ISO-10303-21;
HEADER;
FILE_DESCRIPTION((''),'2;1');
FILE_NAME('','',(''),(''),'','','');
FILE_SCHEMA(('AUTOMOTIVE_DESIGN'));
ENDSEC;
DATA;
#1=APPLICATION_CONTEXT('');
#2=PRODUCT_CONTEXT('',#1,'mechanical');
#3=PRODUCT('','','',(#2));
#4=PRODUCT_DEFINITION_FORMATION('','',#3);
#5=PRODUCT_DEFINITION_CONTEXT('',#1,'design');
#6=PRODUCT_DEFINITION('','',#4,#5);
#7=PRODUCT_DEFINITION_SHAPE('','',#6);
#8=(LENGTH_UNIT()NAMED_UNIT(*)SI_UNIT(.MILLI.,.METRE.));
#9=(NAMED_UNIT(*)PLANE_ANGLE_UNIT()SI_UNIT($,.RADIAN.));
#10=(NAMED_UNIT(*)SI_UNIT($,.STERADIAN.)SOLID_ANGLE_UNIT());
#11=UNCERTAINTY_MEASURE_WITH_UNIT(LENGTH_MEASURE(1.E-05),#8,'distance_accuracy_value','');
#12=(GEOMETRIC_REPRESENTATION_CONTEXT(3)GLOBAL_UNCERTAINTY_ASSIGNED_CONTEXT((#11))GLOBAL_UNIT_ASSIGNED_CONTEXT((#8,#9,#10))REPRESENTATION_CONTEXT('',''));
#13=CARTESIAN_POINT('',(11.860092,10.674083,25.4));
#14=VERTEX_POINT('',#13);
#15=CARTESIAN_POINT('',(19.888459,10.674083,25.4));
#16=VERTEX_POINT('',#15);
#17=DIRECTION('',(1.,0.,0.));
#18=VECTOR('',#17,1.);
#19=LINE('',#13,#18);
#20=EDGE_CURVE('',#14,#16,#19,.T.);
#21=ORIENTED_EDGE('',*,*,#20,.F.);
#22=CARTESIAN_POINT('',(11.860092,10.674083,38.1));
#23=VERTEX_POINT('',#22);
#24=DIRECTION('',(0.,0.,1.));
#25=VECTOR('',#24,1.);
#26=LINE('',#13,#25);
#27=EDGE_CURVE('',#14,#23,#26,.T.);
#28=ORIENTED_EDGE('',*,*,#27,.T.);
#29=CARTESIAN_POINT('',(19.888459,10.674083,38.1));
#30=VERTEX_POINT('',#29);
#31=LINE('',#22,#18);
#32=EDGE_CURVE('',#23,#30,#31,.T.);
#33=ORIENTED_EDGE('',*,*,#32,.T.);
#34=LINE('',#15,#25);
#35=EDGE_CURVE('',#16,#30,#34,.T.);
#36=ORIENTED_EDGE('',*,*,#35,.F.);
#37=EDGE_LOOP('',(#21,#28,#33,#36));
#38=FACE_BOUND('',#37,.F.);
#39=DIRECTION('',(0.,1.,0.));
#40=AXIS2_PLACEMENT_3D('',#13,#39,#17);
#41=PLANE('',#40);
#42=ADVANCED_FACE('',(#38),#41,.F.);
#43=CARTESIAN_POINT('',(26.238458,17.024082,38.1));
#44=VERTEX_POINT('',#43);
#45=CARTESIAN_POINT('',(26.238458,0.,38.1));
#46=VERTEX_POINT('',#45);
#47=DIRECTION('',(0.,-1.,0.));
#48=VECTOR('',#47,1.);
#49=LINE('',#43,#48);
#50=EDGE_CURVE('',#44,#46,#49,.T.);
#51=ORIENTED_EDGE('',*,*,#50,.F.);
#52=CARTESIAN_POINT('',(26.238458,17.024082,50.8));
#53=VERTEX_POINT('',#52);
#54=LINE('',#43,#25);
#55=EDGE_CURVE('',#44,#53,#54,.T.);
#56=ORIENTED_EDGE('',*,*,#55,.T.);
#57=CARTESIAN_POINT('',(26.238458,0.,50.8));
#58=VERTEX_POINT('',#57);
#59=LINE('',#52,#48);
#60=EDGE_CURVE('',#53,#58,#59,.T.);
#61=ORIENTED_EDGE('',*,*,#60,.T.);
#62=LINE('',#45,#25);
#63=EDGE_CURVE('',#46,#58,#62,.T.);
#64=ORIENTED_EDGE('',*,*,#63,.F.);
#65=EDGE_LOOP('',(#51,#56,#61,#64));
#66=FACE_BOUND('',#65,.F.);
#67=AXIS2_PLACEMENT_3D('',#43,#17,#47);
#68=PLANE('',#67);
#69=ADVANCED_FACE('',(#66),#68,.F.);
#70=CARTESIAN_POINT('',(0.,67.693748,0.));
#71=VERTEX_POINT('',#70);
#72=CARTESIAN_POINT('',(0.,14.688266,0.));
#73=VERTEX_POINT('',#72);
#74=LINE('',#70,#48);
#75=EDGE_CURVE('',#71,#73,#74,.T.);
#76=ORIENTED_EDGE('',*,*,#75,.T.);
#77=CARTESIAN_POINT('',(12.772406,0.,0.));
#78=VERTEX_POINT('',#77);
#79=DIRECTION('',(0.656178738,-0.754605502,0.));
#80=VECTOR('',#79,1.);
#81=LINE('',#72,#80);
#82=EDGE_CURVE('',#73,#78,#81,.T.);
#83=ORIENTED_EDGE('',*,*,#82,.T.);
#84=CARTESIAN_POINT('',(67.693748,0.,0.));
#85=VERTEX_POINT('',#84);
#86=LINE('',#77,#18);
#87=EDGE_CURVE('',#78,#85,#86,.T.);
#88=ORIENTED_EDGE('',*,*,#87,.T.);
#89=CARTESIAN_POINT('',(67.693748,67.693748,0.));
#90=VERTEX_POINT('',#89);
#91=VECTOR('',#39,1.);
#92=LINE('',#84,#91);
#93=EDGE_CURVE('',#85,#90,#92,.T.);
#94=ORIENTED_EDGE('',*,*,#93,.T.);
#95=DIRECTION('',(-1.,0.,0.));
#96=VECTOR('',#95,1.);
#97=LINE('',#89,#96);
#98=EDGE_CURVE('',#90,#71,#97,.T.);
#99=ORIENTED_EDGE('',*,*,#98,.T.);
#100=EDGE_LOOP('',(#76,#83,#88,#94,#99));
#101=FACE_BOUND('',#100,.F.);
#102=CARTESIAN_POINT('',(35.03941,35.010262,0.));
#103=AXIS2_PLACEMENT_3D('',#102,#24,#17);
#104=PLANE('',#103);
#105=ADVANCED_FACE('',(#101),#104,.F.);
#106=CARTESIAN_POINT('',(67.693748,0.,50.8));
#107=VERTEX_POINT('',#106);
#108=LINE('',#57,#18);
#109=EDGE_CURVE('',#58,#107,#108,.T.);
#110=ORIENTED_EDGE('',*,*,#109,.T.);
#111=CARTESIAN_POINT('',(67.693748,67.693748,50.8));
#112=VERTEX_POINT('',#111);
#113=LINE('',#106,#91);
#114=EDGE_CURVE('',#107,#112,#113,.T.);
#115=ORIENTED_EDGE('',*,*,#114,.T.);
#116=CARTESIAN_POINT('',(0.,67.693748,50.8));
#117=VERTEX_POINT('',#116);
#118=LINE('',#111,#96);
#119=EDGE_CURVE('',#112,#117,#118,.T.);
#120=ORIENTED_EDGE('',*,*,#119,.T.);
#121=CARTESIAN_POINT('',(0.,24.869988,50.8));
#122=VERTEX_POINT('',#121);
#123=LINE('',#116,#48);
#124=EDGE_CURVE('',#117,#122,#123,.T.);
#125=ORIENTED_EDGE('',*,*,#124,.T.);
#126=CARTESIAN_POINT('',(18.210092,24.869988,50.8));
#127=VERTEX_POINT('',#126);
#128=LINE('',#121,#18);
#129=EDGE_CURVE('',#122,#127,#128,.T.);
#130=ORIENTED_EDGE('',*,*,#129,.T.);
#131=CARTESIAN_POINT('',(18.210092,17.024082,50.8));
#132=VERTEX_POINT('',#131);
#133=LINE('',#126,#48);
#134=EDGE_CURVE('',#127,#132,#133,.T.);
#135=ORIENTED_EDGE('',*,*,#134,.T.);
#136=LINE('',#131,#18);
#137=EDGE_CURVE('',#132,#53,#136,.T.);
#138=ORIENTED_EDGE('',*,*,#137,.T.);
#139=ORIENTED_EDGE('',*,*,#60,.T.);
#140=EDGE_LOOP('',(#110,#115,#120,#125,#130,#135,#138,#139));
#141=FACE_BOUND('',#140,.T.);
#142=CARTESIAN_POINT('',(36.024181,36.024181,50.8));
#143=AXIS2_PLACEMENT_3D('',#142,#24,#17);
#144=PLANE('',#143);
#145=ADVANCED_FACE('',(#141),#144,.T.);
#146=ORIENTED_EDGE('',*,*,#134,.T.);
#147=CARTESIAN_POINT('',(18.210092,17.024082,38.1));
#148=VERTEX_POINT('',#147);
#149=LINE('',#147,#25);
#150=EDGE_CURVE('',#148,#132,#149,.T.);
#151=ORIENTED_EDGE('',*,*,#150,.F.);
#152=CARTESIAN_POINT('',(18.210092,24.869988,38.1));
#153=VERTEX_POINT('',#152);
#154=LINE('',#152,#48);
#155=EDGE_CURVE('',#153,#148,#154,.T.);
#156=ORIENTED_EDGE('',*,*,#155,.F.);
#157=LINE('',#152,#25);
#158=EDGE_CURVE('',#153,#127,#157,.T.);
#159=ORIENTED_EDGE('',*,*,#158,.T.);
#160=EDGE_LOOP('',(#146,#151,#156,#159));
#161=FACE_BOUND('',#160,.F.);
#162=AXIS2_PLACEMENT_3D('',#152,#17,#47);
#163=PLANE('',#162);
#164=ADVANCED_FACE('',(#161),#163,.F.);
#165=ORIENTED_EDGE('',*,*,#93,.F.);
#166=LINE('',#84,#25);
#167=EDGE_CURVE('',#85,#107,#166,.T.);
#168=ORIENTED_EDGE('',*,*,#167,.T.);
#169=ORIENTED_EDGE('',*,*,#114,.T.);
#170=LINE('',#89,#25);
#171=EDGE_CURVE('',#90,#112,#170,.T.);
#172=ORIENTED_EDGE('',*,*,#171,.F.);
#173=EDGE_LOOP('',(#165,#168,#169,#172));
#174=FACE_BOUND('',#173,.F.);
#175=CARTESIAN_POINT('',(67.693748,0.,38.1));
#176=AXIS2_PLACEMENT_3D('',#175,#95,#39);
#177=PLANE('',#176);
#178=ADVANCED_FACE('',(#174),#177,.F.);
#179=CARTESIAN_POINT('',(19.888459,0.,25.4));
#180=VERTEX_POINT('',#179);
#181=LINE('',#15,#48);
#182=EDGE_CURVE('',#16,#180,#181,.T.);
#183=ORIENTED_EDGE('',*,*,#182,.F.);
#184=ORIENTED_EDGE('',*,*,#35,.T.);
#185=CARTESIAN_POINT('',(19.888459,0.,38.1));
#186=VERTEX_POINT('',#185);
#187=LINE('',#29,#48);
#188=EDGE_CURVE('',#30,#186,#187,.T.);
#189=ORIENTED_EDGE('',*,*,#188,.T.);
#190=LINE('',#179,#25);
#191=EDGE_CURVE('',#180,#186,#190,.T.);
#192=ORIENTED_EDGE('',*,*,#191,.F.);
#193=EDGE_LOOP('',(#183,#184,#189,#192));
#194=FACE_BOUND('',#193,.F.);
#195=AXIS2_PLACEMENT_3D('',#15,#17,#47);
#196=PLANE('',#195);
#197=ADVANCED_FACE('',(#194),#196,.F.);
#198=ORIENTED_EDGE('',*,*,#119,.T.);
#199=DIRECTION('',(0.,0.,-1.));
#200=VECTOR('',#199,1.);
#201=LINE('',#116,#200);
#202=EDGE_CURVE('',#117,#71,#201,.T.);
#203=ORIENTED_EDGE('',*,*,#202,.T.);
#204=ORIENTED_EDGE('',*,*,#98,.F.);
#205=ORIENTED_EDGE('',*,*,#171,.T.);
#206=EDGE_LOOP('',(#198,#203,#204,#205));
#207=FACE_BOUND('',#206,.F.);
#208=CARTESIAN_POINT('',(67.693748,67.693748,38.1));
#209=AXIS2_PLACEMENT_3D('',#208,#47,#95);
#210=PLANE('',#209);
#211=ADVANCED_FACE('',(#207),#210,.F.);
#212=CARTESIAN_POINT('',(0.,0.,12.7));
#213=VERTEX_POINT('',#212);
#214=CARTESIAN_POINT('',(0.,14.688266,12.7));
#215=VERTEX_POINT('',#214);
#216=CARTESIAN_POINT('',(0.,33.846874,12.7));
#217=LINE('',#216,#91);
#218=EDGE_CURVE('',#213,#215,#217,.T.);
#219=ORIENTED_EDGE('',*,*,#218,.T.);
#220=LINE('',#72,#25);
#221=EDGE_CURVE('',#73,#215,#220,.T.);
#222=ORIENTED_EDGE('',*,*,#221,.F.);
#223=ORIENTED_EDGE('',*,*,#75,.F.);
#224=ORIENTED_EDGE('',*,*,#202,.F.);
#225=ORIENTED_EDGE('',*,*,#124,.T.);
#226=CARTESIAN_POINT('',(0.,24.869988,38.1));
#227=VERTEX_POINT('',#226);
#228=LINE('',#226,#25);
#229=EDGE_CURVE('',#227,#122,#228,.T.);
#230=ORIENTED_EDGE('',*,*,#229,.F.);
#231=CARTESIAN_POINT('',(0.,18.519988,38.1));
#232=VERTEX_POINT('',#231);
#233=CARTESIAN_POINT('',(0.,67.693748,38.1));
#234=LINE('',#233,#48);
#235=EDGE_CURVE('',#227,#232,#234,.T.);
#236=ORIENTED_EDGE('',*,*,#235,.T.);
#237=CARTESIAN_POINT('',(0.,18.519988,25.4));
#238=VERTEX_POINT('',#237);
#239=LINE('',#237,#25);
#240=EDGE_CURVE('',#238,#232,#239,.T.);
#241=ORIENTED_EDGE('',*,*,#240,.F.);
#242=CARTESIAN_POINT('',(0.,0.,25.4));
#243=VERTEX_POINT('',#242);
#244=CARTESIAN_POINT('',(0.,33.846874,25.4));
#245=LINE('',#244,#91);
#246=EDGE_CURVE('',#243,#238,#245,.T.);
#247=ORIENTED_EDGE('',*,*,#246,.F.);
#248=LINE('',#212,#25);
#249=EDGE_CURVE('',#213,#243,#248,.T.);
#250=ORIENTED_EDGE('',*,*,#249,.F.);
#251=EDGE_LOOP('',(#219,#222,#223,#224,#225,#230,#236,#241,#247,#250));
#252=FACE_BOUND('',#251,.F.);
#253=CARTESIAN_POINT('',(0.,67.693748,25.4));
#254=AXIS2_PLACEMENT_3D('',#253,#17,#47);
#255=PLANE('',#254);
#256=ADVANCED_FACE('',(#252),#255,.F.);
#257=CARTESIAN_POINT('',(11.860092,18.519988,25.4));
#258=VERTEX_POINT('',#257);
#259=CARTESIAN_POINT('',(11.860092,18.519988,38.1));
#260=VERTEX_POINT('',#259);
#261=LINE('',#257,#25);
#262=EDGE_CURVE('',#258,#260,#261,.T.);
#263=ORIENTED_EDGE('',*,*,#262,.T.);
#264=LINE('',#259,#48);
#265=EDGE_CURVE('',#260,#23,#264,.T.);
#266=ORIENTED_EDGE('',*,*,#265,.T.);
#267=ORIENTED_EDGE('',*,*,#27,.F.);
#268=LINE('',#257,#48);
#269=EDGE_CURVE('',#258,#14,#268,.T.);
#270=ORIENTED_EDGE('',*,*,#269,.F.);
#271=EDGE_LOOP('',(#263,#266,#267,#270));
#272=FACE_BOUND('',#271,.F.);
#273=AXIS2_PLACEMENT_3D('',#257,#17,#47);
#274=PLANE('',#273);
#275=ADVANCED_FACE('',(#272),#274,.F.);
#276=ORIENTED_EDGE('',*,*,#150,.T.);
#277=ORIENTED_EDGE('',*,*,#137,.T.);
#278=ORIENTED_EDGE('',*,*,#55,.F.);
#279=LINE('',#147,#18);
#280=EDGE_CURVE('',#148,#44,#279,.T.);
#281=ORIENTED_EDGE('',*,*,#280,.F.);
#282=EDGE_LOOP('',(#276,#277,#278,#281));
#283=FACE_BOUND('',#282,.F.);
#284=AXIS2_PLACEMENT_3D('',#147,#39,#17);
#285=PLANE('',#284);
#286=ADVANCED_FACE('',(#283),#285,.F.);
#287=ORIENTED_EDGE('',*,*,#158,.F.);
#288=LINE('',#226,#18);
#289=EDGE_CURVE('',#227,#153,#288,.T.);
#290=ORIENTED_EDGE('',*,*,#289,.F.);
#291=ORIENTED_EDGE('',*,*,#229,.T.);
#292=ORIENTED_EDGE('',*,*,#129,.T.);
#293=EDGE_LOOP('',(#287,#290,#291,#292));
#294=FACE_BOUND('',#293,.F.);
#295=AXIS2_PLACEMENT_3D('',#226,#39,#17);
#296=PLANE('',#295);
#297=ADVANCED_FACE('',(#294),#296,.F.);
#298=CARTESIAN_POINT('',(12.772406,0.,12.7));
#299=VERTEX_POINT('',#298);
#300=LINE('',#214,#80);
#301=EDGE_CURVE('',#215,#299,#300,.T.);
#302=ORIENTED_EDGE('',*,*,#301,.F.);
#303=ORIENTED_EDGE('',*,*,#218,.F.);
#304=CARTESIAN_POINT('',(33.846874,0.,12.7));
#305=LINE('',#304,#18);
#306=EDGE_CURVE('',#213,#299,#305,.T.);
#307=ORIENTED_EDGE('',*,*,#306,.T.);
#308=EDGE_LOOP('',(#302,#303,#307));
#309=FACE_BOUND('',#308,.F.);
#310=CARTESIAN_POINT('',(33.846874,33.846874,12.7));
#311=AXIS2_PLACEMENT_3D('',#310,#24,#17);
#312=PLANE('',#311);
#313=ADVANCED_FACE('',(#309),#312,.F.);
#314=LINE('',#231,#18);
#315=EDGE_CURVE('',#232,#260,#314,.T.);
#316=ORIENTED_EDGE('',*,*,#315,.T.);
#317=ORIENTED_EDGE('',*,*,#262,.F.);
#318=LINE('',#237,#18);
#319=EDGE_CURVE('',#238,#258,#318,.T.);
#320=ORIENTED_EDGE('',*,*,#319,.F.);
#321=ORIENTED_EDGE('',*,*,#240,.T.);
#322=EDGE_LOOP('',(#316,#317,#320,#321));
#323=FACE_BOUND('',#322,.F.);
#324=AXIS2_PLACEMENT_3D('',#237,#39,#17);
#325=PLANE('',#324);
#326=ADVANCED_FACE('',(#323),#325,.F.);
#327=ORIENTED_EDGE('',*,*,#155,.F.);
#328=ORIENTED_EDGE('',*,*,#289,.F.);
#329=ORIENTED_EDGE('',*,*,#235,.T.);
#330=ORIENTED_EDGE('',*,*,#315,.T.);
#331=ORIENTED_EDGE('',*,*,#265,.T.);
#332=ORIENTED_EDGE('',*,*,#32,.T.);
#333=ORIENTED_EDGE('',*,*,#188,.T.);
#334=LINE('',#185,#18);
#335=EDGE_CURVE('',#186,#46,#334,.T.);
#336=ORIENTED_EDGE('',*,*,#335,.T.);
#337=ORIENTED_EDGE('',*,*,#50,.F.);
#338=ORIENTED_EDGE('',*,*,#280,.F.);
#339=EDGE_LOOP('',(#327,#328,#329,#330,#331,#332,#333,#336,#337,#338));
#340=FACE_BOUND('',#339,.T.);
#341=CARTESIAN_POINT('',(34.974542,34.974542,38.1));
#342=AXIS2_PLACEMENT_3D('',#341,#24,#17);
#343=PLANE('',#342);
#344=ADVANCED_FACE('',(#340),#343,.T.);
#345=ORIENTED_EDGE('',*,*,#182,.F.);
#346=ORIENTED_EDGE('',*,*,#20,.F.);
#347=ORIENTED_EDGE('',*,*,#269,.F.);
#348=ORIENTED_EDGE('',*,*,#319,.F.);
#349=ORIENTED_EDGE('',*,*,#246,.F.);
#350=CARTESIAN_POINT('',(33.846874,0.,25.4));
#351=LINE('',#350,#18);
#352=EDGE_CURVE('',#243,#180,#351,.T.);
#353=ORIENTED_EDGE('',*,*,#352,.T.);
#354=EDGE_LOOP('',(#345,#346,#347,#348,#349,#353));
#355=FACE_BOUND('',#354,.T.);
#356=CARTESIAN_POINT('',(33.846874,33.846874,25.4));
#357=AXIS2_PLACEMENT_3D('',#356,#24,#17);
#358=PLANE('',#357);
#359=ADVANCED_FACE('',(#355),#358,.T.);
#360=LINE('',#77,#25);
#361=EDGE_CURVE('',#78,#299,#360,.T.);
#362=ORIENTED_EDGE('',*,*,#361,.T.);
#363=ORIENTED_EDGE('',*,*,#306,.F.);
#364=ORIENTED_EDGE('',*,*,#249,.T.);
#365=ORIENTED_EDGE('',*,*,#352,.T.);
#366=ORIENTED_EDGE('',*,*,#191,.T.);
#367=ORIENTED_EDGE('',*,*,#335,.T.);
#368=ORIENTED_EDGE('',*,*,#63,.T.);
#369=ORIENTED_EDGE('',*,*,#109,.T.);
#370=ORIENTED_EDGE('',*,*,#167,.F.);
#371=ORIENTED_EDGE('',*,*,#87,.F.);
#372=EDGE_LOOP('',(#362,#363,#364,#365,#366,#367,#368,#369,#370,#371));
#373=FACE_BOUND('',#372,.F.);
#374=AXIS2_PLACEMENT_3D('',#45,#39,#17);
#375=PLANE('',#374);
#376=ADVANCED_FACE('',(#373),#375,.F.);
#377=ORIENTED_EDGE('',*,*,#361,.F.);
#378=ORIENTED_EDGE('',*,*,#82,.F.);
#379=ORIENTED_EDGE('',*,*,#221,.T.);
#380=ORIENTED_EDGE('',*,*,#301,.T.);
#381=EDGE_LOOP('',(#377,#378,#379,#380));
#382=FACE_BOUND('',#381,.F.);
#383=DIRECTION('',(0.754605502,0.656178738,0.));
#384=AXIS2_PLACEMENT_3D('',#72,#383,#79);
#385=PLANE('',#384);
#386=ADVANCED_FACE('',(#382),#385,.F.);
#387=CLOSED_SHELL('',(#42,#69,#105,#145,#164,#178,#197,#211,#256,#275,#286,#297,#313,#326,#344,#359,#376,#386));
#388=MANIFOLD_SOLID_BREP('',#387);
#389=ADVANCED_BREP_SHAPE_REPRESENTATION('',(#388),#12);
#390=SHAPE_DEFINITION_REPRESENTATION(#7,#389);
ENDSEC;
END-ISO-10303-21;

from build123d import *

# Parameters (mm, degrees)
F1_DEPTH = 12.7
F2_W     = 67.693748
F2_H     = 67.693748
F3_DEPTH = 12.7
F5_DEPTH = 12.7
F7_DEPTH = 12.7


with BuildPart() as f1:
    # F0 (on Top) → F1 (new body)
    with BuildSketch(Plane.XY):
        Polygon((0, 14.688266), (12.772406, 0), (67.693748, 0), (67.693748, 67.693748), (0, 67.693748), align=None)
    extrude(amount=F1_DEPTH)

    # F2 (on face) → F3 (join)
    with BuildSketch(Plane.XY.offset(12.7)):
        with Locations((33.846874, 33.846874)):
            Rectangle(F2_W, F2_H)
    extrude(amount=F3_DEPTH)

    # F4 (on face) → F5 (join)
    with BuildSketch(Plane.XY.offset(25.4)):
        Polygon((67.693748, 67.693748), (0, 67.693748), (0, 18.519988), (11.860092, 18.519988), (11.860092, 10.674083), (19.888459, 10.674083), (19.888459, 0), (67.693748, 0), align=None)
    extrude(amount=F5_DEPTH)

    # F6 (on face) → F7 (join)
    with BuildSketch(Plane.XY.offset(38.1)):
        Polygon((18.210092, 17.024082), (26.238458, 17.024082), (26.238458, 0), (67.693748, 0), (67.693748, 67.693748), (0, 67.693748), (0, 24.869988), (18.210092, 24.869988), align=None)
    extrude(amount=F7_DEPTH)


solid = f1.part
